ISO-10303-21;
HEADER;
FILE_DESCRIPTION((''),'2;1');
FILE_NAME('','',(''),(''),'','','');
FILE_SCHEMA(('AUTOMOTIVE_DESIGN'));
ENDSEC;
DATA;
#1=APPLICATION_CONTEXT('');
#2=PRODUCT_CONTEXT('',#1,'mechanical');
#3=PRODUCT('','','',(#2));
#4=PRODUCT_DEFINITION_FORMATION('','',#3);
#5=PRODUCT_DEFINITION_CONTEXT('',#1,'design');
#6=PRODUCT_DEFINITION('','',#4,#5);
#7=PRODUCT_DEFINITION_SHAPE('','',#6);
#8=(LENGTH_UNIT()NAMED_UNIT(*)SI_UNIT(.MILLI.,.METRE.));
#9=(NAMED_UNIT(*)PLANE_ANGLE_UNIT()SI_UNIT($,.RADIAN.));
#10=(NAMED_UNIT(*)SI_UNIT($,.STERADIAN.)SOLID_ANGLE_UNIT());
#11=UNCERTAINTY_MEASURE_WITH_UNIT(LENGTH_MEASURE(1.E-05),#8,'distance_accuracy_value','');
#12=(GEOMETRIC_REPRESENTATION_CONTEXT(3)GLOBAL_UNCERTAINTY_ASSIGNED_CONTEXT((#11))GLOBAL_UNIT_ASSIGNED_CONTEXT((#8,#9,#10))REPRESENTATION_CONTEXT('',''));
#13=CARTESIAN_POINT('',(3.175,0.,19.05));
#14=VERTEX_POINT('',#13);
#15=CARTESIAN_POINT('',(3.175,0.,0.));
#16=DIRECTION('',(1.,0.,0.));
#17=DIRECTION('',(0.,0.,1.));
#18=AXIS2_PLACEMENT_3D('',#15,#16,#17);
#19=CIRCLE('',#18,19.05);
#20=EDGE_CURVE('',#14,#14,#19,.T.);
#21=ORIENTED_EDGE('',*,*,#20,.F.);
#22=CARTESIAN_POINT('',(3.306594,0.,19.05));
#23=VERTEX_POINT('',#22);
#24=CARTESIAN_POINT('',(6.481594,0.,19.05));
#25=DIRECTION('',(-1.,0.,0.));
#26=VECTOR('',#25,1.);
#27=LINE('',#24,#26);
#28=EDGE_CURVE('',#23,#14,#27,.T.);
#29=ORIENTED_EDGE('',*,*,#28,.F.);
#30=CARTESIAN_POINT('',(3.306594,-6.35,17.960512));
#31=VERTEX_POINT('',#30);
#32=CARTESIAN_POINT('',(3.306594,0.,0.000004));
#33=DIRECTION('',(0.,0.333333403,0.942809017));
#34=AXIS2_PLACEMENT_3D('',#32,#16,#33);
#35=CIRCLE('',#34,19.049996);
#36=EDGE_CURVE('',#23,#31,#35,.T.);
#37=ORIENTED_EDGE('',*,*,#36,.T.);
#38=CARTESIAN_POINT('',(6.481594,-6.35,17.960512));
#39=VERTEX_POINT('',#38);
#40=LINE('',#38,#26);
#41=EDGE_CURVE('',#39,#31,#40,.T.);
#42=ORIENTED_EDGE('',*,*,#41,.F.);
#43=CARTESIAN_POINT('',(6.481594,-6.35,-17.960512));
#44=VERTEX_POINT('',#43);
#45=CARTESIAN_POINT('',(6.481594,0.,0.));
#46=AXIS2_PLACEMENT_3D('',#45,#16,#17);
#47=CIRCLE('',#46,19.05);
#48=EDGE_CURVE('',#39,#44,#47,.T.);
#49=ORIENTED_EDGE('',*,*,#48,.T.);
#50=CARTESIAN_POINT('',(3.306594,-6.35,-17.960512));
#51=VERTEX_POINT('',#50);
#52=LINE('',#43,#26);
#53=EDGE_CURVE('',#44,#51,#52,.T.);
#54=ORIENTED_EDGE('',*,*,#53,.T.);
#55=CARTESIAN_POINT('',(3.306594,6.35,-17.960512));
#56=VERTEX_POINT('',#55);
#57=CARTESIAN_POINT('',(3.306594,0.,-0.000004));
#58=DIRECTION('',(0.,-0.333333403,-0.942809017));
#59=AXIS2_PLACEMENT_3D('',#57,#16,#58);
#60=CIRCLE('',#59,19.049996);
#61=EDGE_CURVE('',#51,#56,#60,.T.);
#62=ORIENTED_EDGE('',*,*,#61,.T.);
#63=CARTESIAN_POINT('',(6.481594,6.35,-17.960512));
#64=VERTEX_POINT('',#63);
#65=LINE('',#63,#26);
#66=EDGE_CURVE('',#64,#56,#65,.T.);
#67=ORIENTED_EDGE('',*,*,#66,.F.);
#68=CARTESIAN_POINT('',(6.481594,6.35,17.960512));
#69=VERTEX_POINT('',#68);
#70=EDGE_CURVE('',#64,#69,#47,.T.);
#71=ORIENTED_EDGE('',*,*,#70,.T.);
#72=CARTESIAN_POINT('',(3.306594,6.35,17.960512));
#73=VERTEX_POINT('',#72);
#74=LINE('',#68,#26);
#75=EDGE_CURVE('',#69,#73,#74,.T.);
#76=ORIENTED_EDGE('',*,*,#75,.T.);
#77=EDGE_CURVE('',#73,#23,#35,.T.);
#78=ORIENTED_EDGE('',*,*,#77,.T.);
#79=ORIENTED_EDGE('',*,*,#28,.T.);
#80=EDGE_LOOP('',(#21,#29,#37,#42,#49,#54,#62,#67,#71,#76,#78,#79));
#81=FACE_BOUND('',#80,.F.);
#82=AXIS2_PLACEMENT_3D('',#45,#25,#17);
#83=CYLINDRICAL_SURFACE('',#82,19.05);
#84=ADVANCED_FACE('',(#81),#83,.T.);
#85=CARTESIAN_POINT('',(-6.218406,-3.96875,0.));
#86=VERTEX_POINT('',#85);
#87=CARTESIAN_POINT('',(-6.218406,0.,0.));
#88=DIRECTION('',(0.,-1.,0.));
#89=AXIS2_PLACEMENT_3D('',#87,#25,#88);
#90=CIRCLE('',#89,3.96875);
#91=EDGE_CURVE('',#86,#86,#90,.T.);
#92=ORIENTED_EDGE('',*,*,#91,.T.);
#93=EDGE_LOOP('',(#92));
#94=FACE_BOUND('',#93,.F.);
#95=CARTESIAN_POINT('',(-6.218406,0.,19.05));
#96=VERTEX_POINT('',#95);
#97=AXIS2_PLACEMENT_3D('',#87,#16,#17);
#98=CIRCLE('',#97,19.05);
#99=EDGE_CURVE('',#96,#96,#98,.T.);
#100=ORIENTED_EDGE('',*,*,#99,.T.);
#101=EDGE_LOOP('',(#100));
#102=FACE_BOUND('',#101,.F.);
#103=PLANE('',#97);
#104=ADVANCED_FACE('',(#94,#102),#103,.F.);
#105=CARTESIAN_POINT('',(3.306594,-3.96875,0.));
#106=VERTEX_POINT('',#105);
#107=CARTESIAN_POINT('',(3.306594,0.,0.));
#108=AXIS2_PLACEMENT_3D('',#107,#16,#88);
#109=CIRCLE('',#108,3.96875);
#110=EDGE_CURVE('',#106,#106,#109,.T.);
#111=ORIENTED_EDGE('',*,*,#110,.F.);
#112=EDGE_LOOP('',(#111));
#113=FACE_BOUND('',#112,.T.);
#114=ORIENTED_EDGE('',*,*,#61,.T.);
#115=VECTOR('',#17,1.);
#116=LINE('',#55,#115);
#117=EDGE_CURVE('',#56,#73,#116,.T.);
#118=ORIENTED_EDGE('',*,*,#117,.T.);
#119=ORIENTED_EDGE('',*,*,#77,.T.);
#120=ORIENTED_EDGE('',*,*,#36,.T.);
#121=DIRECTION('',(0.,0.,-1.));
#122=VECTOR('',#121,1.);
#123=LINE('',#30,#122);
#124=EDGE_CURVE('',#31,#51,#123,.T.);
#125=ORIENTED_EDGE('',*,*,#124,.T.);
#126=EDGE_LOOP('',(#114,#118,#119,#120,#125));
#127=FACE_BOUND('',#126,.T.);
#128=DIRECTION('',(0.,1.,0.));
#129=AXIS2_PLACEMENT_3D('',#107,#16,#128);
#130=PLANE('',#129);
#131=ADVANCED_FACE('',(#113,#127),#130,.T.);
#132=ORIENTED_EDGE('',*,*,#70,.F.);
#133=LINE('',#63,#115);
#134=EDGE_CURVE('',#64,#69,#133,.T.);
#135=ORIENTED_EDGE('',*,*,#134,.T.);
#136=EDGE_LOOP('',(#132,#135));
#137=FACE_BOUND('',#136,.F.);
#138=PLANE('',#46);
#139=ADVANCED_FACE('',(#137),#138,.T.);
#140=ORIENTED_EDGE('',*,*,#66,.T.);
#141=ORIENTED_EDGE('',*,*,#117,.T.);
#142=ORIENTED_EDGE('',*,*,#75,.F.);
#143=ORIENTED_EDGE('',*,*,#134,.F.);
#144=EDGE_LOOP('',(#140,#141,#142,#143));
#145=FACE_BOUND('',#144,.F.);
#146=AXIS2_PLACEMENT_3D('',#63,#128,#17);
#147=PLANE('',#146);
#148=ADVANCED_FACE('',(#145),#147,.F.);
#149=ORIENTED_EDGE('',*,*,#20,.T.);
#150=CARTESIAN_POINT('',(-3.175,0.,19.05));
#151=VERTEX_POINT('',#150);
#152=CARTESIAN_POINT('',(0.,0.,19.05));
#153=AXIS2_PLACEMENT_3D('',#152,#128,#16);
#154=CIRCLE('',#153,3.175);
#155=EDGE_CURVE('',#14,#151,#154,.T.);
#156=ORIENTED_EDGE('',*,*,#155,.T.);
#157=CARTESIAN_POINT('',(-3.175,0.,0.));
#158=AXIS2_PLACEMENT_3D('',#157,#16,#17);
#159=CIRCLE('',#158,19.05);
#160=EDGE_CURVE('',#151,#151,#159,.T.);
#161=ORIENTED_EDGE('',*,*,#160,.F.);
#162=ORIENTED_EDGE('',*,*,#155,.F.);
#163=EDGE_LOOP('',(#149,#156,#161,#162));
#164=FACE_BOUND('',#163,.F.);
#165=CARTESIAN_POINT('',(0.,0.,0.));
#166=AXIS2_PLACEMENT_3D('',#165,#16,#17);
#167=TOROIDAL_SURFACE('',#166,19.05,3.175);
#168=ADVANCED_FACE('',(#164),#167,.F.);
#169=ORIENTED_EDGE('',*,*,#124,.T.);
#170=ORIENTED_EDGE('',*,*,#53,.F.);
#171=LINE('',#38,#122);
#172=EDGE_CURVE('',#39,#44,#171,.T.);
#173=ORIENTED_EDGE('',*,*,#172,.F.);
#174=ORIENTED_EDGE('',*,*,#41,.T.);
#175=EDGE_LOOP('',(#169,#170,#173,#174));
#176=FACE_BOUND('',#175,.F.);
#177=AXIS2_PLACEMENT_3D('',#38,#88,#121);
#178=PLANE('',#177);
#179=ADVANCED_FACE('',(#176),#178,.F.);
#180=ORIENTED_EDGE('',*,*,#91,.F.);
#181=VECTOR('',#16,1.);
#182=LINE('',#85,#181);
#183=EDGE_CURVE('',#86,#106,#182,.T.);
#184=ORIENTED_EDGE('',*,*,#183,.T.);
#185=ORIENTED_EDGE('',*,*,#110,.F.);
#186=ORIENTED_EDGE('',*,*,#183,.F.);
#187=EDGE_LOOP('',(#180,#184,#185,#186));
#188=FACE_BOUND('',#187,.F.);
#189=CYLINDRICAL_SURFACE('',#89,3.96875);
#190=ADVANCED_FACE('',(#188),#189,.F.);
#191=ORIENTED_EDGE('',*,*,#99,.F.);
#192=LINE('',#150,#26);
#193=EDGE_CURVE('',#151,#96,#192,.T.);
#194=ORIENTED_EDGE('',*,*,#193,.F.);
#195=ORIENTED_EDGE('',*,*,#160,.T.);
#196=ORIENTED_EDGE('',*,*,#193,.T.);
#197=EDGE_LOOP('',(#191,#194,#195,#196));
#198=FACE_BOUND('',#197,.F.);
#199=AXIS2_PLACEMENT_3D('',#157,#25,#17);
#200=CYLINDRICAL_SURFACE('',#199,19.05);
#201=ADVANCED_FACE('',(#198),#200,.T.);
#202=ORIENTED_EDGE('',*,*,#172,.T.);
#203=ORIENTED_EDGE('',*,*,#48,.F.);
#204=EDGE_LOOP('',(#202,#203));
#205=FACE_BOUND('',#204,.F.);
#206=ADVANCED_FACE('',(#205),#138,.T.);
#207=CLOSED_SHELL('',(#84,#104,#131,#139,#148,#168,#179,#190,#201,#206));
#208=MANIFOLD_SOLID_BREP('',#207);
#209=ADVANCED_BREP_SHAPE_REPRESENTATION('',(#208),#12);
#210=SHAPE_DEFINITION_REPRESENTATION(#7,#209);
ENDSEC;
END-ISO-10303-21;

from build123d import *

# Parameters (mm, degrees)
F2_R     = 3.96875
F3_DEPTH = 3.175
F4_R     = 3.96875
F5_DEPTH = 12.701


with BuildPart() as f1:
    # F0 (on Front) → F1 (revolve)
    with BuildSketch(Plane.XZ):
        with BuildLine():
            Line((-6.218406, 19.05), (-6.218406, 0))
            Line((-6.218406, 0), (6.481594, 0))
            Line((6.481594, 0), (6.481594, 19.05))
            Line((6.481594, 19.05), (3.175, 19.05))
            ThreePointArc((3.175, 19.05), (0, 15.875), (-3.175, 19.05))
            Line((-3.175, 19.05), (-6.218406, 19.05))
        make_face()
    revolve(axis=Axis((0.131594, 0, 0), (1, 0, 0)))

    # F2 (on face) → F3 (cut)
    with BuildSketch(Plane.YZ.offset(6.481594)):
        with BuildLine():
            ThreePointArc((6.35, 17.960512), (0, 19.05), (-6.35, 17.960512))
            Line((-6.35, 17.960512), (-6.35, -17.960512))
            ThreePointArc((-6.35, -17.960512), (0, -19.05), (6.35, -17.960512))
            Line((6.35, -17.960512), (6.35, 17.960512))
        make_face()
        Circle(F2_R, mode=Mode.SUBTRACT)
    extrude(amount=-F3_DEPTH, mode=Mode.SUBTRACT)

    # F4 (on face) → F5 (cut, through all)
    with BuildSketch(Plane(origin=(-6.218406, 0, 0), x_dir=(0, -1, 0), z_dir=(-1, 0, 0))):
        Circle(F4_R)
    extrude(amount=-F5_DEPTH, mode=Mode.SUBTRACT)


solid = f1.part
